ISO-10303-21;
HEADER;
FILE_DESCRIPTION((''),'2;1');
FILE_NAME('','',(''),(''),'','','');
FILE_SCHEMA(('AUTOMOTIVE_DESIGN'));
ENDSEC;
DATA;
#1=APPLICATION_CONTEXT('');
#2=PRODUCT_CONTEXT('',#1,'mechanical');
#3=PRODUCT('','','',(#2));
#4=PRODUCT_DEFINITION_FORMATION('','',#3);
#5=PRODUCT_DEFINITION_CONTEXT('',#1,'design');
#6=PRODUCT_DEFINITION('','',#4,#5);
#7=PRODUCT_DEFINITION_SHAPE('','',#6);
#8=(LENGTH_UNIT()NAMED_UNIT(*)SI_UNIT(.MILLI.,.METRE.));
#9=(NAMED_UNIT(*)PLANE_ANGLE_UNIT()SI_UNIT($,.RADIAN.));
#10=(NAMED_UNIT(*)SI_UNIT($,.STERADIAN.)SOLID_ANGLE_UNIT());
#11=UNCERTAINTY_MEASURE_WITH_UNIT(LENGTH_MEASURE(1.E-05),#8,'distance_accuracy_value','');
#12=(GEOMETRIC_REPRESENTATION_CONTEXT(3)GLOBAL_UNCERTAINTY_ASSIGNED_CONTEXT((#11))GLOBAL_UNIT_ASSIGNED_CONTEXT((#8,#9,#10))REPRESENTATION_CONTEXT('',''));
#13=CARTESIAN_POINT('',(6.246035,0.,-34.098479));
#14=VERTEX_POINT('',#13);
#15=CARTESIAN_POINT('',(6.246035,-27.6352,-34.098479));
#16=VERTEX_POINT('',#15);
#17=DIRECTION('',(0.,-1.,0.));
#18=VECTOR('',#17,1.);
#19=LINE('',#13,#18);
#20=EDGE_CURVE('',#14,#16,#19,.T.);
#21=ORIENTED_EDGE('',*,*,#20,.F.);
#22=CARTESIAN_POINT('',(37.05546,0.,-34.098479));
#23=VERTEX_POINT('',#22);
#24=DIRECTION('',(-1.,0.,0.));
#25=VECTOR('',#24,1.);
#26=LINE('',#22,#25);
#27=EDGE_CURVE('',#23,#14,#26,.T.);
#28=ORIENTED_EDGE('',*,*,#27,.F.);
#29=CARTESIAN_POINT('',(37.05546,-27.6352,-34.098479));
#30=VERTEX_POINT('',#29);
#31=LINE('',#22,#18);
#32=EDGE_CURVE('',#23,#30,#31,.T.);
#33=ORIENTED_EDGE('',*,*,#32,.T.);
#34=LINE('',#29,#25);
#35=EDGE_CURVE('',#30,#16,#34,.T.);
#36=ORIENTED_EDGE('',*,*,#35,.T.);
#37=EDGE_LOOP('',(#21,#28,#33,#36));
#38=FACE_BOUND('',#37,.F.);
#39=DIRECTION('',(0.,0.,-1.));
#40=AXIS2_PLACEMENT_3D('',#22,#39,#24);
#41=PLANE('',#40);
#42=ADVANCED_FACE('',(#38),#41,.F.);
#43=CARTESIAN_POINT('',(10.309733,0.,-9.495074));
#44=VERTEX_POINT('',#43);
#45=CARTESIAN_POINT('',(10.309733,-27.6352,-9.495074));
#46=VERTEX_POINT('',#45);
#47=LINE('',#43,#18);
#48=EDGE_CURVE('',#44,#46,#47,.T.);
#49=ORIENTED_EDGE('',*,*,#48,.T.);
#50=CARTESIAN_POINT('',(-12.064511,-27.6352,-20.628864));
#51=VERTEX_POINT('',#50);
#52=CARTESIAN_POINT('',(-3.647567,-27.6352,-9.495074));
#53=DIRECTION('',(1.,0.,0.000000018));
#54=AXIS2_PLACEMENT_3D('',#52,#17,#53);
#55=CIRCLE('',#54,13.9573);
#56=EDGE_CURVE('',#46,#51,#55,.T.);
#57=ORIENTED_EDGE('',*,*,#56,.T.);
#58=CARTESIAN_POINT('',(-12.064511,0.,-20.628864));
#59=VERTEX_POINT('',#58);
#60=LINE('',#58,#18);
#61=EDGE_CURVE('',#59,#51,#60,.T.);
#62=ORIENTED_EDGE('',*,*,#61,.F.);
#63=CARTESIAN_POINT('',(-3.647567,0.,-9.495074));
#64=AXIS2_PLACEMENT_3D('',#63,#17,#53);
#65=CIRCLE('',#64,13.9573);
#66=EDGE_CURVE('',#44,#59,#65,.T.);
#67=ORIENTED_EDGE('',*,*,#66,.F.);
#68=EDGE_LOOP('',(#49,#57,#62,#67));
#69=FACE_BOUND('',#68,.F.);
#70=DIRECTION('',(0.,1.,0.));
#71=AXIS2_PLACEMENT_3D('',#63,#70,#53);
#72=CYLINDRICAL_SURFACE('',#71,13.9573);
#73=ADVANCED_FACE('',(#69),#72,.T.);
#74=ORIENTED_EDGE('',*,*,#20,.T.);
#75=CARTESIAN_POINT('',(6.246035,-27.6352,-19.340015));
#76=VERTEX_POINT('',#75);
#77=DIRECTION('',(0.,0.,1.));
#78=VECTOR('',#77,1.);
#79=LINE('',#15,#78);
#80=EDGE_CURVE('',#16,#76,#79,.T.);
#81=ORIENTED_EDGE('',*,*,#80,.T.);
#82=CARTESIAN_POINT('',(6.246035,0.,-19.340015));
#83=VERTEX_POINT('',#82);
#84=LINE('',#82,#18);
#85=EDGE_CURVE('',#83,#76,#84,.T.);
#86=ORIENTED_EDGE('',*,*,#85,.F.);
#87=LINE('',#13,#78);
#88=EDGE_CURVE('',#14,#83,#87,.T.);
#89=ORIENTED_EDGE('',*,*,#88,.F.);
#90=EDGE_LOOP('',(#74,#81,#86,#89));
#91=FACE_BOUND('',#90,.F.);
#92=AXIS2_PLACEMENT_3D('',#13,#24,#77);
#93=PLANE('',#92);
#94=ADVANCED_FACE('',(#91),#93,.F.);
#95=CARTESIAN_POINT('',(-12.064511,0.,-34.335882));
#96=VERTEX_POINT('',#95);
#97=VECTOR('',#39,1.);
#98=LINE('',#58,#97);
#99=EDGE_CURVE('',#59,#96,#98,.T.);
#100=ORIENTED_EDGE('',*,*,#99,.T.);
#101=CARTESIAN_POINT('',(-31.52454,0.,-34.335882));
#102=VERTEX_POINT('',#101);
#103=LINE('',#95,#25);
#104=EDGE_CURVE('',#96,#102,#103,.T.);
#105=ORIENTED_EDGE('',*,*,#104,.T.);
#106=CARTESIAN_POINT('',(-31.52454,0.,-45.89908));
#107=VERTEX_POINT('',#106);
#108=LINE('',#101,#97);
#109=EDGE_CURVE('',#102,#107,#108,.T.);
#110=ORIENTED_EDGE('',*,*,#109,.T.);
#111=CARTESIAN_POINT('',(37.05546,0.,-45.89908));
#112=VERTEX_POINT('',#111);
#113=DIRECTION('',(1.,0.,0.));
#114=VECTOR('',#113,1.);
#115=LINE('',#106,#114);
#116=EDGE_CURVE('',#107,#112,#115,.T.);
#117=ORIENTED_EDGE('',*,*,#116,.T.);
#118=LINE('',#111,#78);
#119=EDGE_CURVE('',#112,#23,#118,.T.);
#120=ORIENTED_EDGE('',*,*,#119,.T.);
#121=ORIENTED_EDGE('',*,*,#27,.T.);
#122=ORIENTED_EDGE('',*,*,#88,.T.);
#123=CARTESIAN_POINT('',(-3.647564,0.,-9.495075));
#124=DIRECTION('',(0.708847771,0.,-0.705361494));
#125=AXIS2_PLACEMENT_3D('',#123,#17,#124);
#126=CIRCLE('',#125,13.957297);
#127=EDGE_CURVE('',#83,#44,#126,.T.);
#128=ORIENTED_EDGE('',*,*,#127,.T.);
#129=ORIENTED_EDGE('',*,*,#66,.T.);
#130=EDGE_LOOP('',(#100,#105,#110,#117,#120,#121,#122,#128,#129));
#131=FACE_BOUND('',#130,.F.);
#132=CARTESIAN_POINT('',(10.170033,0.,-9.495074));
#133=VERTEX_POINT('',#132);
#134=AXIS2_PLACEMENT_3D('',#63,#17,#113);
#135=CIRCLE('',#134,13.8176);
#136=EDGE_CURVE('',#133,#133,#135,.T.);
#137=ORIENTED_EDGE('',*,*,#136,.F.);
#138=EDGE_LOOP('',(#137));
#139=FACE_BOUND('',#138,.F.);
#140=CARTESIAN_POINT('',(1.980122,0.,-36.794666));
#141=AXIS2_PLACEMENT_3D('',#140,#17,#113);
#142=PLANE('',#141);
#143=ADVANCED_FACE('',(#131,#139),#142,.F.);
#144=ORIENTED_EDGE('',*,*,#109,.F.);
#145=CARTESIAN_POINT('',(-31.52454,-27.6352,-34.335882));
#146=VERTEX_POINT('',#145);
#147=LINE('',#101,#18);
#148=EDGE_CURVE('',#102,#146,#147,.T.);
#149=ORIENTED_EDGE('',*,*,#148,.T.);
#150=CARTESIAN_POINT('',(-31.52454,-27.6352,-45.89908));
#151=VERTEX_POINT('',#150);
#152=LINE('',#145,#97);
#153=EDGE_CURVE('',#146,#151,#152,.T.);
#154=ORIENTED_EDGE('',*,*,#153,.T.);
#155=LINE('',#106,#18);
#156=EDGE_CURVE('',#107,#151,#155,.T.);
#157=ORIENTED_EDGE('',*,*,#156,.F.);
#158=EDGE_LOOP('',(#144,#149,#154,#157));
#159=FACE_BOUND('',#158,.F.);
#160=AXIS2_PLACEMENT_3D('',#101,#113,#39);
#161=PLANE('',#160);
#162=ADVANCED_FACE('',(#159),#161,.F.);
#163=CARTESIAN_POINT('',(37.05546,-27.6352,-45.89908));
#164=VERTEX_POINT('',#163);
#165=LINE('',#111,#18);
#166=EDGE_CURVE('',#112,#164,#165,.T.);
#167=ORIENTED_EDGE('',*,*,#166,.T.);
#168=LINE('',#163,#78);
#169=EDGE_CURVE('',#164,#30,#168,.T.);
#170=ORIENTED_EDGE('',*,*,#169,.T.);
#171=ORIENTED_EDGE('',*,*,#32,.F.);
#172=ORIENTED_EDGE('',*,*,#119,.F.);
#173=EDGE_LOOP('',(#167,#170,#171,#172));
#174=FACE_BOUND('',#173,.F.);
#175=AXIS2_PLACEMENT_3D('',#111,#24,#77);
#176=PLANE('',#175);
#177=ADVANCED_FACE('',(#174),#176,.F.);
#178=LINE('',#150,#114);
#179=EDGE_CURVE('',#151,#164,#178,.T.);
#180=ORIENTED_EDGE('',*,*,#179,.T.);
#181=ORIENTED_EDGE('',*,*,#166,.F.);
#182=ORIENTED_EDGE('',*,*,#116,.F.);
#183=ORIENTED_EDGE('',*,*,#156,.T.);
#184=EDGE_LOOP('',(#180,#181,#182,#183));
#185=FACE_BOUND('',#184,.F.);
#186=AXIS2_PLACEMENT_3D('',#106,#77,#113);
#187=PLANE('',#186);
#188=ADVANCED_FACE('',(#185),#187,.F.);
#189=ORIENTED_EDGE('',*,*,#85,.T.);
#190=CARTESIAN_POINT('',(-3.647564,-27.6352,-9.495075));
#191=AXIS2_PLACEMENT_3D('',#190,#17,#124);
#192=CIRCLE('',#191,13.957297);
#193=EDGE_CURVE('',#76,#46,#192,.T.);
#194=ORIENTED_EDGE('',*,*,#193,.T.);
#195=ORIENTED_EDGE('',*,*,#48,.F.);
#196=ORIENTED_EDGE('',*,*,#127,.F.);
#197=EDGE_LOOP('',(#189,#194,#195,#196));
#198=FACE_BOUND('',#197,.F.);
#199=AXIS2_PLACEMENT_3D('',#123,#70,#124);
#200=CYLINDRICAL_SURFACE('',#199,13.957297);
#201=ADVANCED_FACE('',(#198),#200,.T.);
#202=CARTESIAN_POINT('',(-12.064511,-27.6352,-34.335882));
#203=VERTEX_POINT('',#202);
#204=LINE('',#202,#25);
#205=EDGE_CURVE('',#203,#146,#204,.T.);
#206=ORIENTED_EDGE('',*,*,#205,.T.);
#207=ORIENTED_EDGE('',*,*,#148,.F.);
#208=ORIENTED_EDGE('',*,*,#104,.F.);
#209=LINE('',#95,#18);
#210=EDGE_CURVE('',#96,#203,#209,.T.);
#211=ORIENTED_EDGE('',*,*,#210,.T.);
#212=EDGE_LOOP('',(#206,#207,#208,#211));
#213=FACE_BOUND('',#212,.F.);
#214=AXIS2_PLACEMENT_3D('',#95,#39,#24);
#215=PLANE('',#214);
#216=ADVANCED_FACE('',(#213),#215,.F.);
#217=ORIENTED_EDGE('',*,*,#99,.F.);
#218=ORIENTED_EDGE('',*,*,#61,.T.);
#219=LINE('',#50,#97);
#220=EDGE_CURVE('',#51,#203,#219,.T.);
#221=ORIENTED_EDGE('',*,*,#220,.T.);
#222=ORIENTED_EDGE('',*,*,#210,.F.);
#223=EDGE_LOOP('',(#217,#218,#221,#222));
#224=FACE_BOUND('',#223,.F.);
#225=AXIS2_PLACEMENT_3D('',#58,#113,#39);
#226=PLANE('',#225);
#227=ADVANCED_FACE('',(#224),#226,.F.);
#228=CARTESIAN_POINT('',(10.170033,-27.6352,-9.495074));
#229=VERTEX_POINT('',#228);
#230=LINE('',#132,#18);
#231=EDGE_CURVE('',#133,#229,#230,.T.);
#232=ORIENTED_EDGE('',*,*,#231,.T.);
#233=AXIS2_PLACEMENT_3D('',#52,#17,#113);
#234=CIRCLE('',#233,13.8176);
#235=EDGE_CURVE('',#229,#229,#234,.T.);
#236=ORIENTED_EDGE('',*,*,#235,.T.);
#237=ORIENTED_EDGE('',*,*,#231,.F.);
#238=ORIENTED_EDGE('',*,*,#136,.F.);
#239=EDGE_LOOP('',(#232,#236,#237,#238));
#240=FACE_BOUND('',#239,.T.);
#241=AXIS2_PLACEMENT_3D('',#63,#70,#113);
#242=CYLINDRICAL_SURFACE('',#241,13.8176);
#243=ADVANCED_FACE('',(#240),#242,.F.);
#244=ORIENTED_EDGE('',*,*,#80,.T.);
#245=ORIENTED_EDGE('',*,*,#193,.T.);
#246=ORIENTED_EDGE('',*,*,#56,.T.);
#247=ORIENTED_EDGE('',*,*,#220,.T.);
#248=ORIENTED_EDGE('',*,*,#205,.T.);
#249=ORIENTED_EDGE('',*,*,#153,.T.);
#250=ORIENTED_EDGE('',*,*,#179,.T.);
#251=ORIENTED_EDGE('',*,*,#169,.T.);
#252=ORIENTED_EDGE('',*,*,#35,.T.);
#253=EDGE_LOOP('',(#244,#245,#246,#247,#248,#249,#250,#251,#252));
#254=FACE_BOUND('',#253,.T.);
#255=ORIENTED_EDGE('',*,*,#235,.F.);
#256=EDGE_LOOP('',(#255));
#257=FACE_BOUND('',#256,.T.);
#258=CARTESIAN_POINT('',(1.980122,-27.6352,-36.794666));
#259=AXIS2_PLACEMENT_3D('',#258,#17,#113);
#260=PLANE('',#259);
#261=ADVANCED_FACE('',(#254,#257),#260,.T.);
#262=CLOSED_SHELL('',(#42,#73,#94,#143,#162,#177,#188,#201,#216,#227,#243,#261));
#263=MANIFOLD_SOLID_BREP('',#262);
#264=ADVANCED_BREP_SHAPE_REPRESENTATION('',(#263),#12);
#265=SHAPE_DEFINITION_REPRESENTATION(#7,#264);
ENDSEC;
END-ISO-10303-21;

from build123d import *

# Parameters (mm, degrees)
F0_R     = 13.8176
F1_DEPTH = 27.6352


with BuildPart() as f1:
    # F0 (on Front) → F1 (new body)
    with BuildSketch(Plane.XZ):
        with BuildLine():
            Line((-31.52454, -34.335882), (-31.52454, -45.89908))
            Line((-31.52454, -45.89908), (37.05546, -45.89908))
            Line((37.05546, -45.89908), (37.05546, -34.098479))
            Line((37.05546, -34.098479), (6.246035, -34.098479))
            Line((6.246035, -34.098479), (6.246035, -24.50948))
            Line((6.246035, -24.50948), (6.246035, -19.340015))
            ThreePointArc((6.246035, -19.340015), (-2.667561, -23.417926), (-12.064511, -20.628864))
            Line((-12.064511, -20.628864), (-12.064511, -23.336734))
            Line((-12.064511, -23.336734), (-12.064511, -34.335882))
            Line((-12.064511, -34.335882), (-31.52454, -34.335882))
        make_face()
        with BuildLine():
            ThreePointArc((10.309733, -9.495074), (-9.865621, 3.000606), (-12.064511, -20.628864))
            ThreePointArc((-12.064511, -20.628864), (-2.667561, -23.417926), (6.246035, -19.340015))
            ThreePointArc((6.246035, -19.340015), (9.253871, -14.820403), (10.309733, -9.495074))
        make_face()
        with Locations((-3.647567, -9.495074)):
            Circle(F0_R, mode=Mode.SUBTRACT)
    extrude(amount=F1_DEPTH)


solid = f1.part
